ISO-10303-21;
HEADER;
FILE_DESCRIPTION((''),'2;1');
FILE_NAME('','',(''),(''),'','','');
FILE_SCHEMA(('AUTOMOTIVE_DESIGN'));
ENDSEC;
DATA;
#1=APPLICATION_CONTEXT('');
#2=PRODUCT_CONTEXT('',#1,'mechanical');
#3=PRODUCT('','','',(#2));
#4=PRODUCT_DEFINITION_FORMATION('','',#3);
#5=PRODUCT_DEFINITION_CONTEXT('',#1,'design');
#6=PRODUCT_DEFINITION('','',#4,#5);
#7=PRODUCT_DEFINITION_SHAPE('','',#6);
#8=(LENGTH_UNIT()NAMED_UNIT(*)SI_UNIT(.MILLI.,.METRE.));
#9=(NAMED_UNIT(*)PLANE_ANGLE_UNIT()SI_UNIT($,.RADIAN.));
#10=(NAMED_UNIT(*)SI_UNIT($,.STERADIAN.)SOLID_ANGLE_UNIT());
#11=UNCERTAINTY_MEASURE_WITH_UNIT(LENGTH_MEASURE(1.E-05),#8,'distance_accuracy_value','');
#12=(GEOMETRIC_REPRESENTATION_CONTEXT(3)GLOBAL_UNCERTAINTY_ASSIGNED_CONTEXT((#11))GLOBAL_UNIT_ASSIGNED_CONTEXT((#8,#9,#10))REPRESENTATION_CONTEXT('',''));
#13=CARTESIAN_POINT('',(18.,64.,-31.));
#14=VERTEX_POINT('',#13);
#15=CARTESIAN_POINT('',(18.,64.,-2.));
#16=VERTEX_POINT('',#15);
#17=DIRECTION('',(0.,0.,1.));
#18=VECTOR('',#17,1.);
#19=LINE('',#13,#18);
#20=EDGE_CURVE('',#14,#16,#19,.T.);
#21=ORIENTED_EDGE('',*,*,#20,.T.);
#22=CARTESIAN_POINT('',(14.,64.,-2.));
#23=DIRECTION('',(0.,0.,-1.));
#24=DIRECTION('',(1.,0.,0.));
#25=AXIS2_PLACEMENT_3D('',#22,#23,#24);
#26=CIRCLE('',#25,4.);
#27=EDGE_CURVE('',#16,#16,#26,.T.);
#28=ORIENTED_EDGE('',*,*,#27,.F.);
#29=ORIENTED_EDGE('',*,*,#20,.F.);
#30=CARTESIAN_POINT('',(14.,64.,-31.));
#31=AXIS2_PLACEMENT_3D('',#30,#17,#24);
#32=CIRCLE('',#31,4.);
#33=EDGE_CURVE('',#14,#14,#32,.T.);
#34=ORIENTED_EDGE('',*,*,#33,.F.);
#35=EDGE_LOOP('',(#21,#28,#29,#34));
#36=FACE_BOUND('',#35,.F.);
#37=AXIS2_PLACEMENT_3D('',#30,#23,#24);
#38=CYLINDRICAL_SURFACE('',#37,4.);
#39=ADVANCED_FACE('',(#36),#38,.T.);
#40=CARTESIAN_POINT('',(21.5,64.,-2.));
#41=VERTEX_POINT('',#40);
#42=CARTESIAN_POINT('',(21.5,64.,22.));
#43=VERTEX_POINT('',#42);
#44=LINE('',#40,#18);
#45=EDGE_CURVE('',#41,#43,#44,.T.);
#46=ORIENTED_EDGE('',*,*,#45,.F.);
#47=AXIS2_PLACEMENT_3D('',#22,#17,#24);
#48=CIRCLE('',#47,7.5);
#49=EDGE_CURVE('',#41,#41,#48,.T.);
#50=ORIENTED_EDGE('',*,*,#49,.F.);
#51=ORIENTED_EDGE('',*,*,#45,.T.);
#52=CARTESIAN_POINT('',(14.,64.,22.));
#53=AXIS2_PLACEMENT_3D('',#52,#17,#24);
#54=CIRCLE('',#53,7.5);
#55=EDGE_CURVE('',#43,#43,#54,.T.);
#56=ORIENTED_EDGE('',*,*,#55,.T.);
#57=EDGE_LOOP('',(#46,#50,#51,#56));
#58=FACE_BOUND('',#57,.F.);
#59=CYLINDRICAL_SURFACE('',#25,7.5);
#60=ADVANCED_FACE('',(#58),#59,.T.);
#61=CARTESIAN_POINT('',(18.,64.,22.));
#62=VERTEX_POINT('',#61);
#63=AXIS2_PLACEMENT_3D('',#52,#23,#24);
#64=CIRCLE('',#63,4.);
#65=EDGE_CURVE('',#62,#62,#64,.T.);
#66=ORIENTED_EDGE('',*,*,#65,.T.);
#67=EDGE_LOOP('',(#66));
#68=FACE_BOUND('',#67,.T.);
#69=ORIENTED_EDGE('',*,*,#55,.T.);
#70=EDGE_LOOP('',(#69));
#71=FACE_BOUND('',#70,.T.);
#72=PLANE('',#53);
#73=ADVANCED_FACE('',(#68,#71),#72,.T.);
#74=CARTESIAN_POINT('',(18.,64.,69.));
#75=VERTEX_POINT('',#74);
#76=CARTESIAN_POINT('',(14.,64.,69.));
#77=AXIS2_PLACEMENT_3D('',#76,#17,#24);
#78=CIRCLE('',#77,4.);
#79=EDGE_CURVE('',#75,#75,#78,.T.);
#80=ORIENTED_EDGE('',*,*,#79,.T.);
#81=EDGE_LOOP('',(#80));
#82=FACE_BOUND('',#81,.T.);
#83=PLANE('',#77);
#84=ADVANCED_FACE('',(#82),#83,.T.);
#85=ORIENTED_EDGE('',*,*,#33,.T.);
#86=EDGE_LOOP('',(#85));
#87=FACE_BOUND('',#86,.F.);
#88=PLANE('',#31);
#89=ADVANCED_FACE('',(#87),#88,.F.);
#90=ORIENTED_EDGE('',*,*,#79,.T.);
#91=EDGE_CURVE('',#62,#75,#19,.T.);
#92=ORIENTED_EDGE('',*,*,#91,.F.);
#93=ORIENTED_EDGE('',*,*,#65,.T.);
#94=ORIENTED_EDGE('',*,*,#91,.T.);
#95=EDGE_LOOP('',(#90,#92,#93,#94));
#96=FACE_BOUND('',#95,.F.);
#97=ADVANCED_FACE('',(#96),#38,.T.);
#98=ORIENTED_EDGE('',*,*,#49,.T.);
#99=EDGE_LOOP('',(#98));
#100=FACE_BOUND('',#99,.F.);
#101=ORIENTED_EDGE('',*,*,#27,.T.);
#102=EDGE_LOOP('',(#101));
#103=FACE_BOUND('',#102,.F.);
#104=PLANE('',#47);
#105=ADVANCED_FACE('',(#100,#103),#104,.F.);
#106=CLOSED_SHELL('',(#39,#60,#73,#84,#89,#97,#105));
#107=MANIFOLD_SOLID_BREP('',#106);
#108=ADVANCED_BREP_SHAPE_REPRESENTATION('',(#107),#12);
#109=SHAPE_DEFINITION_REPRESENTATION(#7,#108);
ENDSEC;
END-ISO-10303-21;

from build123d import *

# Parameters (mm, degrees)
CYLINDER007_R     = 4
CYLINDER007_DEPTH = 100
CYLINDER013_R     = 7.5
CYLINDER013_DEPTH = 24


with BuildPart() as rod_cylinder:
    # Cylinder007 → Cylinder007 (new body)
    with BuildSketch(Plane(origin=(42, 0, -123), x_dir=(1, 0, 0), z_dir=(0, 0, 1))):
        Circle(CYLINDER007_R)
    extrude(amount=CYLINDER007_DEPTH)


with BuildPart() as rod_fusion:
    # Cylinder013 → Cylinder013 (new body)
    with BuildSketch(Plane(origin=(42, 0, -94), x_dir=(1, 0, 0), z_dir=(0, 0, 1))):
        Circle(CYLINDER013_R)
    extrude(amount=CYLINDER013_DEPTH)

    # Fusion005: union rod cylinder
    add(rod_cylinder.part)


with BuildPart() as rod_fusion_1:
    # Fusion005 placement: moved
    add(rod_fusion.part.moved(Location((-28, 64, 92))))


solid = rod_fusion_1.part
